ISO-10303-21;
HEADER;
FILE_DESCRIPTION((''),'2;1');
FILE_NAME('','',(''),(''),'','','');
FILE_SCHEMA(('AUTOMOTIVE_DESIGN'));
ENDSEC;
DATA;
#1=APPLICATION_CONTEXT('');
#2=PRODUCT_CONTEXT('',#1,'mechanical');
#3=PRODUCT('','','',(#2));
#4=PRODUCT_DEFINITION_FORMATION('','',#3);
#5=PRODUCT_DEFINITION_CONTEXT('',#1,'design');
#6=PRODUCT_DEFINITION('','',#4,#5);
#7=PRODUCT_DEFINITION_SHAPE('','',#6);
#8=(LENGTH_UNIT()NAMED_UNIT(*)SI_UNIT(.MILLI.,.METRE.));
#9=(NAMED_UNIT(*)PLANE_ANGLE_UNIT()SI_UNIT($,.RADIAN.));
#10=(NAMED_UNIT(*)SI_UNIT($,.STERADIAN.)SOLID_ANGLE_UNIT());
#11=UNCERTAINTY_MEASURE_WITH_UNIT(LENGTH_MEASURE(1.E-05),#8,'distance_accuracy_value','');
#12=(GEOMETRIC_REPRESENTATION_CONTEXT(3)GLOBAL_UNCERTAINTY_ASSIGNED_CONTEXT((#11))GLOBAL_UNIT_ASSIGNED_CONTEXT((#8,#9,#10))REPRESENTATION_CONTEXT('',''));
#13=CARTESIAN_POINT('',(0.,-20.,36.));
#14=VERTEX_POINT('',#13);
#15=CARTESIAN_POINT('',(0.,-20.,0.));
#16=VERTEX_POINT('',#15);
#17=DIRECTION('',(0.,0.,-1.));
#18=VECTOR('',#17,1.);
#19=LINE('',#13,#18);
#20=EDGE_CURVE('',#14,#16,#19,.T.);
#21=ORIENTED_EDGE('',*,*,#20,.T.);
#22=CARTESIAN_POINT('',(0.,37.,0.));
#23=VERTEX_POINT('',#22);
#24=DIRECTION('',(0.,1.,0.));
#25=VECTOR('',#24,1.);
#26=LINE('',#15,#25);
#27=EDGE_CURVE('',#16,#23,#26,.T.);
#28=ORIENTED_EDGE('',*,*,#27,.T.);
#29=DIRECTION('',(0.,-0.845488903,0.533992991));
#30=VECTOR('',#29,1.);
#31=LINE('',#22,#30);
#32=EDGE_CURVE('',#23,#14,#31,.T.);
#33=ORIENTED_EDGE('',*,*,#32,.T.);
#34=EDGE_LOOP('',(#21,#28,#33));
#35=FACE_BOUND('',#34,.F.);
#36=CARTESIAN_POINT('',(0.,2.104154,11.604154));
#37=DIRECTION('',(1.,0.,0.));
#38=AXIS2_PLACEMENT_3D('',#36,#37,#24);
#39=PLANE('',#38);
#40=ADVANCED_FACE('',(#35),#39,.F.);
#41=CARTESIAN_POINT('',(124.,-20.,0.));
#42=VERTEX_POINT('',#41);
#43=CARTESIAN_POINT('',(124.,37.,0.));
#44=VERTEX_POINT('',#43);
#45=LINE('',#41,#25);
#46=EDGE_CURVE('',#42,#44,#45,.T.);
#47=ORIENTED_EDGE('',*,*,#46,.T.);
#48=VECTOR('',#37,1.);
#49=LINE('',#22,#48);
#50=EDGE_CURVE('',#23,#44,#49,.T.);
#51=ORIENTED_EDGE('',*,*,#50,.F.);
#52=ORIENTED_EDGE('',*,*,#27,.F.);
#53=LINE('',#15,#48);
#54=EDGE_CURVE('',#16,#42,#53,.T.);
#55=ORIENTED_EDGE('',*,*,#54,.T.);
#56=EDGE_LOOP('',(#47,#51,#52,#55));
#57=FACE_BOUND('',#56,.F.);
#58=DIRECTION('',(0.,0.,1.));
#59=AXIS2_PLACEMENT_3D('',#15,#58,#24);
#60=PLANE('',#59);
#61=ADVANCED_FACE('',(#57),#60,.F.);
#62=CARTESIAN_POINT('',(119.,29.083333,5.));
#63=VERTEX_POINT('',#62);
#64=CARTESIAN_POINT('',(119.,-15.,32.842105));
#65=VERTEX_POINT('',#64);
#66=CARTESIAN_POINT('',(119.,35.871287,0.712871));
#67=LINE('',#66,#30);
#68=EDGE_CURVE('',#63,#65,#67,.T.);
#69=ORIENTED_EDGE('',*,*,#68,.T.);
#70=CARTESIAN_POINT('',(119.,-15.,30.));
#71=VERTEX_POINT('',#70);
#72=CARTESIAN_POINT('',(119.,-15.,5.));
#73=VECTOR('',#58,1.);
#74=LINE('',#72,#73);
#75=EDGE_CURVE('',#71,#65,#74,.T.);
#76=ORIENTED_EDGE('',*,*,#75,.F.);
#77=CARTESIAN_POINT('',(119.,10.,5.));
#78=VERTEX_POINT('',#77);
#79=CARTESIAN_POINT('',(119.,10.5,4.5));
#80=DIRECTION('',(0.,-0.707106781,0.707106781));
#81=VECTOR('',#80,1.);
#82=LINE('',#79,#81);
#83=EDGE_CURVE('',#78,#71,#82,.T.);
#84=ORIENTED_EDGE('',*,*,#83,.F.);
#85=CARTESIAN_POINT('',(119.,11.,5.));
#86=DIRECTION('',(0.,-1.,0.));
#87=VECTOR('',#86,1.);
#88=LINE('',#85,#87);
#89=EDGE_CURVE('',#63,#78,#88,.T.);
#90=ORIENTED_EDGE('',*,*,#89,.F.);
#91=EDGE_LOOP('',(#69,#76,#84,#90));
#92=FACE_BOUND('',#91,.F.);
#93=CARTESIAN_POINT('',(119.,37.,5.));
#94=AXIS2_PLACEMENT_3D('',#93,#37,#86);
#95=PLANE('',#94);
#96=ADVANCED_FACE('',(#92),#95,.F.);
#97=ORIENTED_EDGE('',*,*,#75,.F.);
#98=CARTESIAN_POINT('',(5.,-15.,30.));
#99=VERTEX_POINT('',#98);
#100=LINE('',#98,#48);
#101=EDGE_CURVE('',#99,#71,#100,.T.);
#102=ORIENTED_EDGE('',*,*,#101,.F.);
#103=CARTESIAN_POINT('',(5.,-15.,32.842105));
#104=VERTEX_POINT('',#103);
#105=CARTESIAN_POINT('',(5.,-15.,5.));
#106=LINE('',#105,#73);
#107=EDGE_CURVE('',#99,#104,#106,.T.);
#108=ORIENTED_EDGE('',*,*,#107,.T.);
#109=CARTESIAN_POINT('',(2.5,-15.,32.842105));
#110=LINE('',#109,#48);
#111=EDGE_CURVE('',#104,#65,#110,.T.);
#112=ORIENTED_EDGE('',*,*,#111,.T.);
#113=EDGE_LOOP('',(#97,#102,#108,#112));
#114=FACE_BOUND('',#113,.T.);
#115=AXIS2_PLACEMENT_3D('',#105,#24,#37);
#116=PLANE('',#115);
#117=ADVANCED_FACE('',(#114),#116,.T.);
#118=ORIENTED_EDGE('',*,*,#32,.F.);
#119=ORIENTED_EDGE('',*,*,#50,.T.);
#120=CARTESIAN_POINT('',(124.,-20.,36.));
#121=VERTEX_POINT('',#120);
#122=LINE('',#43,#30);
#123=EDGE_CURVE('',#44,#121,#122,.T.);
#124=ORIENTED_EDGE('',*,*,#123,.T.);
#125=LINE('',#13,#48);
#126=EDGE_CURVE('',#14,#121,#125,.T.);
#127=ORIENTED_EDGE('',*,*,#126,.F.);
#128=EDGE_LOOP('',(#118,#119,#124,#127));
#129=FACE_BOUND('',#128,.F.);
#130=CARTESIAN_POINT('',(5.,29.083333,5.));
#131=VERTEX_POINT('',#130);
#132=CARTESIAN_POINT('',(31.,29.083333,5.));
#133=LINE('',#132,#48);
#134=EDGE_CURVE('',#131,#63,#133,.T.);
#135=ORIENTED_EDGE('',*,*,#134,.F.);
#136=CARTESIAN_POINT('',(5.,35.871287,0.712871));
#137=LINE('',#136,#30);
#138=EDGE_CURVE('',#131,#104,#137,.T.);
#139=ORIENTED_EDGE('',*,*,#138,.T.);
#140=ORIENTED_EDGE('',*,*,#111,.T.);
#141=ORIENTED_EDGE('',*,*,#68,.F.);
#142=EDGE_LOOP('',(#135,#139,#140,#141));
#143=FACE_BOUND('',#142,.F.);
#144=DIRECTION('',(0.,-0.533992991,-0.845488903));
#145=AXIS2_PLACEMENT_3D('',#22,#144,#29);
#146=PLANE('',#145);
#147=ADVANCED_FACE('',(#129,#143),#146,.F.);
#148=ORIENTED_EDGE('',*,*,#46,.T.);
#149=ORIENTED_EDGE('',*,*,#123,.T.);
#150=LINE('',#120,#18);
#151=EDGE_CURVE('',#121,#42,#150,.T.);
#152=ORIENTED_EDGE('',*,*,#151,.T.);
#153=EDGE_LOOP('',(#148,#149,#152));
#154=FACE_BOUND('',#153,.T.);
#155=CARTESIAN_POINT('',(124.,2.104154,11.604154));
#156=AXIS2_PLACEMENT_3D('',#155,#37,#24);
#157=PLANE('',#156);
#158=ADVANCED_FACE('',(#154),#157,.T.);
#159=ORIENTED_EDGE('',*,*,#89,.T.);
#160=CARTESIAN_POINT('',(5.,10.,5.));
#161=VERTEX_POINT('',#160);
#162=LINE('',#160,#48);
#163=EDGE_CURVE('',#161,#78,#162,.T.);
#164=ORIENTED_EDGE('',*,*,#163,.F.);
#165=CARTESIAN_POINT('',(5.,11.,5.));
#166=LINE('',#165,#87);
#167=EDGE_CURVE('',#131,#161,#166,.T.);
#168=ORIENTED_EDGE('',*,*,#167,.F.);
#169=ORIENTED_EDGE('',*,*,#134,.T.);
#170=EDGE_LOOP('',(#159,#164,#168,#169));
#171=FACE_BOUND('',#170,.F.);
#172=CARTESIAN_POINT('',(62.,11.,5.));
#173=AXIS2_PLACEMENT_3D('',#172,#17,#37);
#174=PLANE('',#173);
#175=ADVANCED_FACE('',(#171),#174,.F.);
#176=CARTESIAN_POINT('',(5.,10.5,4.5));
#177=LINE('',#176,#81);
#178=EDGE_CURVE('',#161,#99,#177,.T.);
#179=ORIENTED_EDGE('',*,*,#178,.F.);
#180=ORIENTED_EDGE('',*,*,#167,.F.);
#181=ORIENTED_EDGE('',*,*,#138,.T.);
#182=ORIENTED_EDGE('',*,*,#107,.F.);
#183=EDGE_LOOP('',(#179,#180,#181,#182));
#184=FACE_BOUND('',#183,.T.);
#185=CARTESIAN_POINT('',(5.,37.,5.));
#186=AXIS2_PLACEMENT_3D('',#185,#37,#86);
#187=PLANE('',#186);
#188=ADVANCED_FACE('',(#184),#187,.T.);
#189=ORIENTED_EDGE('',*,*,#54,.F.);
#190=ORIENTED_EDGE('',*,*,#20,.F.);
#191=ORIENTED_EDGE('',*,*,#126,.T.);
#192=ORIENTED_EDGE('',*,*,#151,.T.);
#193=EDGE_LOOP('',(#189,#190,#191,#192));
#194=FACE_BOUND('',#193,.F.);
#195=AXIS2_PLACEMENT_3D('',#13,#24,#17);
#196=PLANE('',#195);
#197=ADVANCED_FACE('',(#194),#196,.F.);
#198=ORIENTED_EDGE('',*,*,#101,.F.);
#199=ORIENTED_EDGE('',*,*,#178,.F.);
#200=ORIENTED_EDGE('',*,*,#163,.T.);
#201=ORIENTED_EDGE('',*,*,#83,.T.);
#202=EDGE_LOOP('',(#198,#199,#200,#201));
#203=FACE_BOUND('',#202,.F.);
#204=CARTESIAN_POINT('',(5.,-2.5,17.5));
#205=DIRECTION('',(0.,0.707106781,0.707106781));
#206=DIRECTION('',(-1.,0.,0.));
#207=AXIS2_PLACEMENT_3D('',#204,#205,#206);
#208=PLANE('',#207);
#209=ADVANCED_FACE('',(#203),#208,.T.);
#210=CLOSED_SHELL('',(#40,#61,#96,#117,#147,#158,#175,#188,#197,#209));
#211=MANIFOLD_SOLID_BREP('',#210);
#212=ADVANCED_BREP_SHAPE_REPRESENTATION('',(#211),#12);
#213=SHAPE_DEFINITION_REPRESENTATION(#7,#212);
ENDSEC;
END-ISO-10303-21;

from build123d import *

# Parameters (mm, degrees)
F1_DEPTH = 124
F3_START = -5
F2_W     = 114
F2_H     = 52
F3_DEPTH = 31.001
F4_SIZE  = 25


with BuildPart() as f1:
    # F0 (on Right) → F1 (new body)
    with BuildSketch(Plane.YZ):
        Polygon((-20, 36), (-20, 0), (37, 0), align=None)
    extrude(amount=F1_DEPTH)

    # F2 (on face) → F3 (cut)
    with BuildSketch(Plane(origin=(0, 0, 0), x_dir=(1, 0, 0), z_dir=(0, 0, -1)).offset(F3_START)):
        with Locations((62, -11)):
            Rectangle(F2_W, F2_H)
    extrude(amount=-F3_DEPTH, mode=Mode.SUBTRACT)

    # F4
    f4_edges = [f1.edges().sort_by_distance(p)[0] for p in [
        (62, -15, 5),
    ]]
    chamfer(f4_edges, length=F4_SIZE)


solid = f1.part
